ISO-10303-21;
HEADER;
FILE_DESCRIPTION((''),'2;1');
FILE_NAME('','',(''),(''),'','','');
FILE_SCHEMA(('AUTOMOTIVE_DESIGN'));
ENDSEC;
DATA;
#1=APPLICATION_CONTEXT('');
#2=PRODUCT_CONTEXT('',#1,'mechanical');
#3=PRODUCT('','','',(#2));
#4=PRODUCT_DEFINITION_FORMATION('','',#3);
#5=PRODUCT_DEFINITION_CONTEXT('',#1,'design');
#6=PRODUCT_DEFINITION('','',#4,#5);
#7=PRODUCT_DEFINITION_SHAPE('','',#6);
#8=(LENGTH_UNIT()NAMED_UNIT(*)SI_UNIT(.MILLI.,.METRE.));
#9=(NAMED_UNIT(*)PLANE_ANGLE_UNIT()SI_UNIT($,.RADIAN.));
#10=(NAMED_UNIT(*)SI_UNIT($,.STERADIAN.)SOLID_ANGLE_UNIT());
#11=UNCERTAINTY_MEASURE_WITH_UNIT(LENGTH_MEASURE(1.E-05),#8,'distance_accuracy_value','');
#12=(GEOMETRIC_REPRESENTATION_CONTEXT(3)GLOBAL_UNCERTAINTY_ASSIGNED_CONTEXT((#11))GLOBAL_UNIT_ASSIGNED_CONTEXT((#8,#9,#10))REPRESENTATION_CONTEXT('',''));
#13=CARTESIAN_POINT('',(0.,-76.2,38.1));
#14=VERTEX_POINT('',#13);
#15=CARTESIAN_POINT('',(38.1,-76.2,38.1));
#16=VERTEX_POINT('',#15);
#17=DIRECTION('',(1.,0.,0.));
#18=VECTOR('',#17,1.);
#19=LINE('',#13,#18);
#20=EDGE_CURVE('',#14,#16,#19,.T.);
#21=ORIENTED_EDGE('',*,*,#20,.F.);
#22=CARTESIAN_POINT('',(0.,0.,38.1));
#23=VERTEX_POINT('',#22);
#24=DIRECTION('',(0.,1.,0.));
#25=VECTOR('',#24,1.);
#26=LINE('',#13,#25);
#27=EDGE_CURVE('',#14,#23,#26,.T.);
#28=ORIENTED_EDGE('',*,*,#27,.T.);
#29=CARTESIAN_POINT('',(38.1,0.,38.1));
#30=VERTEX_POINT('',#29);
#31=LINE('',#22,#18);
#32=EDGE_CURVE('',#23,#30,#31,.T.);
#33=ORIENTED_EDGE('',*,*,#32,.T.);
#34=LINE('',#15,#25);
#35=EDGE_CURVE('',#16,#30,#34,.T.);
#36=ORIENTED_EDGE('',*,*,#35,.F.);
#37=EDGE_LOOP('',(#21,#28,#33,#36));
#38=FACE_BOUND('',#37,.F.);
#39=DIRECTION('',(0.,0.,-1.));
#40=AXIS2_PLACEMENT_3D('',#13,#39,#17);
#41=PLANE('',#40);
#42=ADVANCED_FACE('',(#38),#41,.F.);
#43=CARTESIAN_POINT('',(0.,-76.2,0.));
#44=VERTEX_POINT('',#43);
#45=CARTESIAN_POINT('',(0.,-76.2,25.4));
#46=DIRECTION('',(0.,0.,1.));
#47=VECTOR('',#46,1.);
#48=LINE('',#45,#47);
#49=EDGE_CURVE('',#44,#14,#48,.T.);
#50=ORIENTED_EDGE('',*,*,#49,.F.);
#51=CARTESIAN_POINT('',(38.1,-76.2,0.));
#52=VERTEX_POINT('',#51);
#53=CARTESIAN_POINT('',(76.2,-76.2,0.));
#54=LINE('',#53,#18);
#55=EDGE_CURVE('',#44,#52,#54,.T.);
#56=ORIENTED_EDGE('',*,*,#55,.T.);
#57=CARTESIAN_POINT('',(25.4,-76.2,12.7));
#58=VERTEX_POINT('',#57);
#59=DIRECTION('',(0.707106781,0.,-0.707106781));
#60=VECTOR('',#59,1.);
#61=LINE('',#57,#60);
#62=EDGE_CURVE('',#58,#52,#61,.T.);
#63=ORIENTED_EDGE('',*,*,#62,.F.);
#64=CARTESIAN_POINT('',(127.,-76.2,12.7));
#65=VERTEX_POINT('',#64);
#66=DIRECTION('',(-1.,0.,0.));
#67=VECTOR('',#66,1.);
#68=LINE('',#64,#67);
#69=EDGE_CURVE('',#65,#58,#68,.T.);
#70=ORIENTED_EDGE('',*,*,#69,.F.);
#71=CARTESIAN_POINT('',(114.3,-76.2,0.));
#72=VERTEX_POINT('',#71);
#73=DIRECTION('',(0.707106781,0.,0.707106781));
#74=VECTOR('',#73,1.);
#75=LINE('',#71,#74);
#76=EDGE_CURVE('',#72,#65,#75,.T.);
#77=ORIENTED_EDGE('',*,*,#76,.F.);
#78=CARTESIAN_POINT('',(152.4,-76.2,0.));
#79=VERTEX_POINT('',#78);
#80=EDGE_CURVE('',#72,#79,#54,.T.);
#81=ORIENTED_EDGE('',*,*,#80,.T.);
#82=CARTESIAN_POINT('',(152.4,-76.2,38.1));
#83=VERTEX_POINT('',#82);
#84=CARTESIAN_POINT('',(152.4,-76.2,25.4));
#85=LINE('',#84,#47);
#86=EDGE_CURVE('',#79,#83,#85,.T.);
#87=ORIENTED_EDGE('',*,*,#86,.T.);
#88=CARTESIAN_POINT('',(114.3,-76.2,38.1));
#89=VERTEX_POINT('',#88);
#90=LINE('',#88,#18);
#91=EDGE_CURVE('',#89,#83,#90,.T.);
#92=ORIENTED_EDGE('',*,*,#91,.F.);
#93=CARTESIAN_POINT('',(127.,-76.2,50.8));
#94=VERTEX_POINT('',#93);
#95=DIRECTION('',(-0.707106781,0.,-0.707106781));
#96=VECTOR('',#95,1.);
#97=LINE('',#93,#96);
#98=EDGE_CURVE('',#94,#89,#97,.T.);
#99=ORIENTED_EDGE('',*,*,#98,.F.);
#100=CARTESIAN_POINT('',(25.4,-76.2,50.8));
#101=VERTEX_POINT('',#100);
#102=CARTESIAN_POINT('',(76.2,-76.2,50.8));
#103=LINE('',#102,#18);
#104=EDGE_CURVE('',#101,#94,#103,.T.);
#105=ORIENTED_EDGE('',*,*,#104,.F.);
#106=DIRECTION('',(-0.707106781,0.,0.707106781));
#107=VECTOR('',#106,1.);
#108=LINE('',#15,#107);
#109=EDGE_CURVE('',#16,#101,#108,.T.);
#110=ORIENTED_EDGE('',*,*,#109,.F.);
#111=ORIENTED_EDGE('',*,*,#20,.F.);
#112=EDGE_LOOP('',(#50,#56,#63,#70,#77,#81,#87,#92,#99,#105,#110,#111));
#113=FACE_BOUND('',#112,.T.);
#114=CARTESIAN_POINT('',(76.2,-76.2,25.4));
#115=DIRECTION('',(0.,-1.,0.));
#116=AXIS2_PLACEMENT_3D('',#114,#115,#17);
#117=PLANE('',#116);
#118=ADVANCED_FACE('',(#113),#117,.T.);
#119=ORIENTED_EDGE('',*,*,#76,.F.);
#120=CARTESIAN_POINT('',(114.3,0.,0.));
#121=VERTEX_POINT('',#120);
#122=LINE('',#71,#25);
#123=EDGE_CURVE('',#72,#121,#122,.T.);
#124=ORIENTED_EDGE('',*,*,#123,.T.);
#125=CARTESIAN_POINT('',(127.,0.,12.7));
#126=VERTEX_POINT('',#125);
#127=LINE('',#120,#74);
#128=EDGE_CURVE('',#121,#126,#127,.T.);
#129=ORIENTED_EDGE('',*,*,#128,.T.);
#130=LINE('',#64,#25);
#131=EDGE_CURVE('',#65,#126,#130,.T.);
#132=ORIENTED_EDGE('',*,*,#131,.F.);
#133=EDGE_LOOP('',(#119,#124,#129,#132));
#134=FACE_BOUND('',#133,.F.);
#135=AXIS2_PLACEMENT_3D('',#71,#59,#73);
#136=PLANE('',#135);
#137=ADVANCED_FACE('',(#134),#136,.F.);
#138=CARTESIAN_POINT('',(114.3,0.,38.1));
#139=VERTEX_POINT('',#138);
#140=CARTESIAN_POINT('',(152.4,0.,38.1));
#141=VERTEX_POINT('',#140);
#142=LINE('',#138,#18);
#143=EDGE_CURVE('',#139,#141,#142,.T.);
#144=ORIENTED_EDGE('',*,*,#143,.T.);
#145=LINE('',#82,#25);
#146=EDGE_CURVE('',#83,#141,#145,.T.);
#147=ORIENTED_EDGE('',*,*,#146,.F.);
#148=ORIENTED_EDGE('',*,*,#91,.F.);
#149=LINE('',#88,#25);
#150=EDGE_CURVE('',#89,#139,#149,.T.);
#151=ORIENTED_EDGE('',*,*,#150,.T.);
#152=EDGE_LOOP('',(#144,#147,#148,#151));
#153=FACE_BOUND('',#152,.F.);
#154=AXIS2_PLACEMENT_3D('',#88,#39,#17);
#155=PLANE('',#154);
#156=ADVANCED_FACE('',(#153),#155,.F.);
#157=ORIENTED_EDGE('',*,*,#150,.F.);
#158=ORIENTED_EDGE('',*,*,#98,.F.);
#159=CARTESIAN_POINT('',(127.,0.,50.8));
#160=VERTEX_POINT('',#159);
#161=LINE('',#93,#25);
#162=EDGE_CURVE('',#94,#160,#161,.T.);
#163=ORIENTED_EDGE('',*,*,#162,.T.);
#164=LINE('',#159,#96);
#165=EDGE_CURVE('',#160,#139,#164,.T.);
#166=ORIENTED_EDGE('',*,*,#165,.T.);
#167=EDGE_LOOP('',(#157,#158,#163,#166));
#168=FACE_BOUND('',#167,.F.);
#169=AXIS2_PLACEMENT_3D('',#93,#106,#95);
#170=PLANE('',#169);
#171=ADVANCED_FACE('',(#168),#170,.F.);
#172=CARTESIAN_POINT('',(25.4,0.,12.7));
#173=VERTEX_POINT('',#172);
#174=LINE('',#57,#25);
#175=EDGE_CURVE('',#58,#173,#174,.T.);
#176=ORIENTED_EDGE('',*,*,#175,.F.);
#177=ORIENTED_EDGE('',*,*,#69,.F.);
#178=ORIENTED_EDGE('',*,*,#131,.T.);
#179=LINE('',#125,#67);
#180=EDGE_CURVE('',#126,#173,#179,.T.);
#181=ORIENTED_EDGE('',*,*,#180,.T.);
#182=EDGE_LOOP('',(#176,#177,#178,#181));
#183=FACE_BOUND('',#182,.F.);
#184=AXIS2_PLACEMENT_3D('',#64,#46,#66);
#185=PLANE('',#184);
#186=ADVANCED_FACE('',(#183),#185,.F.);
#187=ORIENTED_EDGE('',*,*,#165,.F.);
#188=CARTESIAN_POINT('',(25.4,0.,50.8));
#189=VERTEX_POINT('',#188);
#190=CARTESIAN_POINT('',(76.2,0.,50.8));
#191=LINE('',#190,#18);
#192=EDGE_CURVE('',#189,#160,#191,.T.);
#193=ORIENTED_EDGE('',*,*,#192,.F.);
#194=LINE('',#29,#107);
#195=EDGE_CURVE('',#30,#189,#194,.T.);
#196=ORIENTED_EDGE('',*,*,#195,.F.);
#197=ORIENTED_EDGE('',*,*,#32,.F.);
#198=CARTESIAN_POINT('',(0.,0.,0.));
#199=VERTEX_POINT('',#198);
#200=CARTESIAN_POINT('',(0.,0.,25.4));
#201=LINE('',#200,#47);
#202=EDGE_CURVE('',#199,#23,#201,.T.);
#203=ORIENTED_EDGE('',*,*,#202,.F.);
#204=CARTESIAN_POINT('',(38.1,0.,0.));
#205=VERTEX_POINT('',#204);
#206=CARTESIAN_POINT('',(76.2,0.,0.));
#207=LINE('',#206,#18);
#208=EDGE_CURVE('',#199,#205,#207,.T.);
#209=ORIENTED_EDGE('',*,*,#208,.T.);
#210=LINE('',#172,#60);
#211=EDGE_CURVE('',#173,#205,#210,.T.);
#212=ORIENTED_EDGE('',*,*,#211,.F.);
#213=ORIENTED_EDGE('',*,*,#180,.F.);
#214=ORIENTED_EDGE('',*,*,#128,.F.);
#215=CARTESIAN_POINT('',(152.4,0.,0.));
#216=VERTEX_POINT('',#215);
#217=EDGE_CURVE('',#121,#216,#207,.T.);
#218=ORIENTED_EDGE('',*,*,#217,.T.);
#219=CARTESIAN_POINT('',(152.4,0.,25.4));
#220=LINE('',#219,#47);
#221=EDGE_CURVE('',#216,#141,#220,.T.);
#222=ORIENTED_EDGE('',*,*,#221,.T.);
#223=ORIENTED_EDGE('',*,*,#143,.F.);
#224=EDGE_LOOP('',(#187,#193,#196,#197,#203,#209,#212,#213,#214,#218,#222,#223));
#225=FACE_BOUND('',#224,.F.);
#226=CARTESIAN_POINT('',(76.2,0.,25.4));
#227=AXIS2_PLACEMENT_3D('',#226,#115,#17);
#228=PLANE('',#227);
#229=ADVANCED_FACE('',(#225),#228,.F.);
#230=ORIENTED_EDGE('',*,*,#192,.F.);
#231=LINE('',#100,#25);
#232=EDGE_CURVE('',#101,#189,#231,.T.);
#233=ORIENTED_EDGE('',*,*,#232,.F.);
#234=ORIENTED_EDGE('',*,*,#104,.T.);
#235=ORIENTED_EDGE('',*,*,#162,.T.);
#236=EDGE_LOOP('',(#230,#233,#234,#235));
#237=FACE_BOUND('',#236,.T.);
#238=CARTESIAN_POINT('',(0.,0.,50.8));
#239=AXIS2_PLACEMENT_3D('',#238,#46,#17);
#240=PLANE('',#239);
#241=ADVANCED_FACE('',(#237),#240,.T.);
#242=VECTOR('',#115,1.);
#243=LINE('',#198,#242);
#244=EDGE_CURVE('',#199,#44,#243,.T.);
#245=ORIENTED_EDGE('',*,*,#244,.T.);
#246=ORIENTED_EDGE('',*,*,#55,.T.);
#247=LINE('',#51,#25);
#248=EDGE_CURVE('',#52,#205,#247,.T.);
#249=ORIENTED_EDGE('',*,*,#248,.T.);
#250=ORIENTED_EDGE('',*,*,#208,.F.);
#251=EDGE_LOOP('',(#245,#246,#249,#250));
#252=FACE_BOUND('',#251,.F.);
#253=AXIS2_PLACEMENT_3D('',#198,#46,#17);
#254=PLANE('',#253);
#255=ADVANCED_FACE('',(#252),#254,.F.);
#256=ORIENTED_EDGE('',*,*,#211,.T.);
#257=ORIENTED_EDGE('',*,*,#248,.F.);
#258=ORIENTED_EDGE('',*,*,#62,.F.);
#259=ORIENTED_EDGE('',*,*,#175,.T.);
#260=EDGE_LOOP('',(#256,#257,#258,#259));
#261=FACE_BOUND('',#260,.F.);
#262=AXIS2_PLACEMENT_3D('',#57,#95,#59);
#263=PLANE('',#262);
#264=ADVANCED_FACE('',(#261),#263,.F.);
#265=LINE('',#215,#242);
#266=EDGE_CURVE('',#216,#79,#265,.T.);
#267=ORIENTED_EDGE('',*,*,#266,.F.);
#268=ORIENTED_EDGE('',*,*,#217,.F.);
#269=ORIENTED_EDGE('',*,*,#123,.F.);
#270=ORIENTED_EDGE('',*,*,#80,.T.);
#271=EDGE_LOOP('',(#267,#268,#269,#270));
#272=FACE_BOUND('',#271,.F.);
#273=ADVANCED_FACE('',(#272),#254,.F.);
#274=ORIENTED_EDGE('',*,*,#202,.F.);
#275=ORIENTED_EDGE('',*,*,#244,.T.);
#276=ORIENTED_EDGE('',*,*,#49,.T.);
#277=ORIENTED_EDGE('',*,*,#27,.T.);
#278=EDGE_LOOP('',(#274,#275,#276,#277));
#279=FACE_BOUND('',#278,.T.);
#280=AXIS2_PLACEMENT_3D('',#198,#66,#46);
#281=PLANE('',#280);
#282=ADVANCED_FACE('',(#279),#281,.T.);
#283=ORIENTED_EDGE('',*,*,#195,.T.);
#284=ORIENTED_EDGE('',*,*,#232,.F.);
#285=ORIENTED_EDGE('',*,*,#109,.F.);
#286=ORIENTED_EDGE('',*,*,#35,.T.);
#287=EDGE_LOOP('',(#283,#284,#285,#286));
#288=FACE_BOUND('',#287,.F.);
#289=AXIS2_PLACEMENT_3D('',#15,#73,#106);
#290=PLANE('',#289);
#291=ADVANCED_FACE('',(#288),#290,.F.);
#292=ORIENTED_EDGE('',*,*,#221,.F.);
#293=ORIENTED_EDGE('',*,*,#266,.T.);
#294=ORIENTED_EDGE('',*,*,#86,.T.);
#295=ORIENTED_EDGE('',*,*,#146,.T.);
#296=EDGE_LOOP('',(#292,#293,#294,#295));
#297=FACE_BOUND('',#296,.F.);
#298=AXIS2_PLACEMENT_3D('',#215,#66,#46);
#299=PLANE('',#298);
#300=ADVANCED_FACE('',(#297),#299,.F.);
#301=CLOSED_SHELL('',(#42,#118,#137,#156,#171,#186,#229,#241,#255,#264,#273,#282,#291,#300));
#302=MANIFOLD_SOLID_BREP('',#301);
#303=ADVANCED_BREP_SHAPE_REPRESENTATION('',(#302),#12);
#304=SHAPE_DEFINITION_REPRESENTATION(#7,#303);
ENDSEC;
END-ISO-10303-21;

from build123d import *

# Parameters (mm, degrees)
F0_W     = 152.4
F0_H     = 50.8
F1_DEPTH = 76.2
F3_DEPTH = 76.2
F5_DEPTH = 76.2
F7_DEPTH = 76.2


with BuildPart() as f1:
    # F0 (on Front) → F1 (new body)
    with BuildSketch(Plane.XZ):
        with Locations((76.2, 25.4)):
            Rectangle(F0_W, F0_H)
    extrude(amount=F1_DEPTH)

    # F2 (on face) → F3 (cut)
    with BuildSketch(Plane.XZ.offset(76.2)):
        Polygon((152.4, 38.1), (152.4, 50.8), (127, 50.8), (114.3, 38.1), align=None)
    extrude(amount=-F3_DEPTH, mode=Mode.SUBTRACT)

    # F4 (on face) → F5 (cut)
    with BuildSketch(Plane.XZ.offset(76.2)):
        Polygon((25.4, 50.8), (0, 50.8), (0, 38.1), (38.1, 38.1), align=None)
    extrude(amount=-F5_DEPTH, mode=Mode.SUBTRACT)

    # F6 (on face) → F7 (cut)
    with BuildSketch(Plane.XZ.offset(76.2)):
        Polygon((127, 12.7), (25.4, 12.7), (38.1, 0), (114.3, 0), align=None)
    extrude(amount=-F7_DEPTH, mode=Mode.SUBTRACT)


solid = f1.part
